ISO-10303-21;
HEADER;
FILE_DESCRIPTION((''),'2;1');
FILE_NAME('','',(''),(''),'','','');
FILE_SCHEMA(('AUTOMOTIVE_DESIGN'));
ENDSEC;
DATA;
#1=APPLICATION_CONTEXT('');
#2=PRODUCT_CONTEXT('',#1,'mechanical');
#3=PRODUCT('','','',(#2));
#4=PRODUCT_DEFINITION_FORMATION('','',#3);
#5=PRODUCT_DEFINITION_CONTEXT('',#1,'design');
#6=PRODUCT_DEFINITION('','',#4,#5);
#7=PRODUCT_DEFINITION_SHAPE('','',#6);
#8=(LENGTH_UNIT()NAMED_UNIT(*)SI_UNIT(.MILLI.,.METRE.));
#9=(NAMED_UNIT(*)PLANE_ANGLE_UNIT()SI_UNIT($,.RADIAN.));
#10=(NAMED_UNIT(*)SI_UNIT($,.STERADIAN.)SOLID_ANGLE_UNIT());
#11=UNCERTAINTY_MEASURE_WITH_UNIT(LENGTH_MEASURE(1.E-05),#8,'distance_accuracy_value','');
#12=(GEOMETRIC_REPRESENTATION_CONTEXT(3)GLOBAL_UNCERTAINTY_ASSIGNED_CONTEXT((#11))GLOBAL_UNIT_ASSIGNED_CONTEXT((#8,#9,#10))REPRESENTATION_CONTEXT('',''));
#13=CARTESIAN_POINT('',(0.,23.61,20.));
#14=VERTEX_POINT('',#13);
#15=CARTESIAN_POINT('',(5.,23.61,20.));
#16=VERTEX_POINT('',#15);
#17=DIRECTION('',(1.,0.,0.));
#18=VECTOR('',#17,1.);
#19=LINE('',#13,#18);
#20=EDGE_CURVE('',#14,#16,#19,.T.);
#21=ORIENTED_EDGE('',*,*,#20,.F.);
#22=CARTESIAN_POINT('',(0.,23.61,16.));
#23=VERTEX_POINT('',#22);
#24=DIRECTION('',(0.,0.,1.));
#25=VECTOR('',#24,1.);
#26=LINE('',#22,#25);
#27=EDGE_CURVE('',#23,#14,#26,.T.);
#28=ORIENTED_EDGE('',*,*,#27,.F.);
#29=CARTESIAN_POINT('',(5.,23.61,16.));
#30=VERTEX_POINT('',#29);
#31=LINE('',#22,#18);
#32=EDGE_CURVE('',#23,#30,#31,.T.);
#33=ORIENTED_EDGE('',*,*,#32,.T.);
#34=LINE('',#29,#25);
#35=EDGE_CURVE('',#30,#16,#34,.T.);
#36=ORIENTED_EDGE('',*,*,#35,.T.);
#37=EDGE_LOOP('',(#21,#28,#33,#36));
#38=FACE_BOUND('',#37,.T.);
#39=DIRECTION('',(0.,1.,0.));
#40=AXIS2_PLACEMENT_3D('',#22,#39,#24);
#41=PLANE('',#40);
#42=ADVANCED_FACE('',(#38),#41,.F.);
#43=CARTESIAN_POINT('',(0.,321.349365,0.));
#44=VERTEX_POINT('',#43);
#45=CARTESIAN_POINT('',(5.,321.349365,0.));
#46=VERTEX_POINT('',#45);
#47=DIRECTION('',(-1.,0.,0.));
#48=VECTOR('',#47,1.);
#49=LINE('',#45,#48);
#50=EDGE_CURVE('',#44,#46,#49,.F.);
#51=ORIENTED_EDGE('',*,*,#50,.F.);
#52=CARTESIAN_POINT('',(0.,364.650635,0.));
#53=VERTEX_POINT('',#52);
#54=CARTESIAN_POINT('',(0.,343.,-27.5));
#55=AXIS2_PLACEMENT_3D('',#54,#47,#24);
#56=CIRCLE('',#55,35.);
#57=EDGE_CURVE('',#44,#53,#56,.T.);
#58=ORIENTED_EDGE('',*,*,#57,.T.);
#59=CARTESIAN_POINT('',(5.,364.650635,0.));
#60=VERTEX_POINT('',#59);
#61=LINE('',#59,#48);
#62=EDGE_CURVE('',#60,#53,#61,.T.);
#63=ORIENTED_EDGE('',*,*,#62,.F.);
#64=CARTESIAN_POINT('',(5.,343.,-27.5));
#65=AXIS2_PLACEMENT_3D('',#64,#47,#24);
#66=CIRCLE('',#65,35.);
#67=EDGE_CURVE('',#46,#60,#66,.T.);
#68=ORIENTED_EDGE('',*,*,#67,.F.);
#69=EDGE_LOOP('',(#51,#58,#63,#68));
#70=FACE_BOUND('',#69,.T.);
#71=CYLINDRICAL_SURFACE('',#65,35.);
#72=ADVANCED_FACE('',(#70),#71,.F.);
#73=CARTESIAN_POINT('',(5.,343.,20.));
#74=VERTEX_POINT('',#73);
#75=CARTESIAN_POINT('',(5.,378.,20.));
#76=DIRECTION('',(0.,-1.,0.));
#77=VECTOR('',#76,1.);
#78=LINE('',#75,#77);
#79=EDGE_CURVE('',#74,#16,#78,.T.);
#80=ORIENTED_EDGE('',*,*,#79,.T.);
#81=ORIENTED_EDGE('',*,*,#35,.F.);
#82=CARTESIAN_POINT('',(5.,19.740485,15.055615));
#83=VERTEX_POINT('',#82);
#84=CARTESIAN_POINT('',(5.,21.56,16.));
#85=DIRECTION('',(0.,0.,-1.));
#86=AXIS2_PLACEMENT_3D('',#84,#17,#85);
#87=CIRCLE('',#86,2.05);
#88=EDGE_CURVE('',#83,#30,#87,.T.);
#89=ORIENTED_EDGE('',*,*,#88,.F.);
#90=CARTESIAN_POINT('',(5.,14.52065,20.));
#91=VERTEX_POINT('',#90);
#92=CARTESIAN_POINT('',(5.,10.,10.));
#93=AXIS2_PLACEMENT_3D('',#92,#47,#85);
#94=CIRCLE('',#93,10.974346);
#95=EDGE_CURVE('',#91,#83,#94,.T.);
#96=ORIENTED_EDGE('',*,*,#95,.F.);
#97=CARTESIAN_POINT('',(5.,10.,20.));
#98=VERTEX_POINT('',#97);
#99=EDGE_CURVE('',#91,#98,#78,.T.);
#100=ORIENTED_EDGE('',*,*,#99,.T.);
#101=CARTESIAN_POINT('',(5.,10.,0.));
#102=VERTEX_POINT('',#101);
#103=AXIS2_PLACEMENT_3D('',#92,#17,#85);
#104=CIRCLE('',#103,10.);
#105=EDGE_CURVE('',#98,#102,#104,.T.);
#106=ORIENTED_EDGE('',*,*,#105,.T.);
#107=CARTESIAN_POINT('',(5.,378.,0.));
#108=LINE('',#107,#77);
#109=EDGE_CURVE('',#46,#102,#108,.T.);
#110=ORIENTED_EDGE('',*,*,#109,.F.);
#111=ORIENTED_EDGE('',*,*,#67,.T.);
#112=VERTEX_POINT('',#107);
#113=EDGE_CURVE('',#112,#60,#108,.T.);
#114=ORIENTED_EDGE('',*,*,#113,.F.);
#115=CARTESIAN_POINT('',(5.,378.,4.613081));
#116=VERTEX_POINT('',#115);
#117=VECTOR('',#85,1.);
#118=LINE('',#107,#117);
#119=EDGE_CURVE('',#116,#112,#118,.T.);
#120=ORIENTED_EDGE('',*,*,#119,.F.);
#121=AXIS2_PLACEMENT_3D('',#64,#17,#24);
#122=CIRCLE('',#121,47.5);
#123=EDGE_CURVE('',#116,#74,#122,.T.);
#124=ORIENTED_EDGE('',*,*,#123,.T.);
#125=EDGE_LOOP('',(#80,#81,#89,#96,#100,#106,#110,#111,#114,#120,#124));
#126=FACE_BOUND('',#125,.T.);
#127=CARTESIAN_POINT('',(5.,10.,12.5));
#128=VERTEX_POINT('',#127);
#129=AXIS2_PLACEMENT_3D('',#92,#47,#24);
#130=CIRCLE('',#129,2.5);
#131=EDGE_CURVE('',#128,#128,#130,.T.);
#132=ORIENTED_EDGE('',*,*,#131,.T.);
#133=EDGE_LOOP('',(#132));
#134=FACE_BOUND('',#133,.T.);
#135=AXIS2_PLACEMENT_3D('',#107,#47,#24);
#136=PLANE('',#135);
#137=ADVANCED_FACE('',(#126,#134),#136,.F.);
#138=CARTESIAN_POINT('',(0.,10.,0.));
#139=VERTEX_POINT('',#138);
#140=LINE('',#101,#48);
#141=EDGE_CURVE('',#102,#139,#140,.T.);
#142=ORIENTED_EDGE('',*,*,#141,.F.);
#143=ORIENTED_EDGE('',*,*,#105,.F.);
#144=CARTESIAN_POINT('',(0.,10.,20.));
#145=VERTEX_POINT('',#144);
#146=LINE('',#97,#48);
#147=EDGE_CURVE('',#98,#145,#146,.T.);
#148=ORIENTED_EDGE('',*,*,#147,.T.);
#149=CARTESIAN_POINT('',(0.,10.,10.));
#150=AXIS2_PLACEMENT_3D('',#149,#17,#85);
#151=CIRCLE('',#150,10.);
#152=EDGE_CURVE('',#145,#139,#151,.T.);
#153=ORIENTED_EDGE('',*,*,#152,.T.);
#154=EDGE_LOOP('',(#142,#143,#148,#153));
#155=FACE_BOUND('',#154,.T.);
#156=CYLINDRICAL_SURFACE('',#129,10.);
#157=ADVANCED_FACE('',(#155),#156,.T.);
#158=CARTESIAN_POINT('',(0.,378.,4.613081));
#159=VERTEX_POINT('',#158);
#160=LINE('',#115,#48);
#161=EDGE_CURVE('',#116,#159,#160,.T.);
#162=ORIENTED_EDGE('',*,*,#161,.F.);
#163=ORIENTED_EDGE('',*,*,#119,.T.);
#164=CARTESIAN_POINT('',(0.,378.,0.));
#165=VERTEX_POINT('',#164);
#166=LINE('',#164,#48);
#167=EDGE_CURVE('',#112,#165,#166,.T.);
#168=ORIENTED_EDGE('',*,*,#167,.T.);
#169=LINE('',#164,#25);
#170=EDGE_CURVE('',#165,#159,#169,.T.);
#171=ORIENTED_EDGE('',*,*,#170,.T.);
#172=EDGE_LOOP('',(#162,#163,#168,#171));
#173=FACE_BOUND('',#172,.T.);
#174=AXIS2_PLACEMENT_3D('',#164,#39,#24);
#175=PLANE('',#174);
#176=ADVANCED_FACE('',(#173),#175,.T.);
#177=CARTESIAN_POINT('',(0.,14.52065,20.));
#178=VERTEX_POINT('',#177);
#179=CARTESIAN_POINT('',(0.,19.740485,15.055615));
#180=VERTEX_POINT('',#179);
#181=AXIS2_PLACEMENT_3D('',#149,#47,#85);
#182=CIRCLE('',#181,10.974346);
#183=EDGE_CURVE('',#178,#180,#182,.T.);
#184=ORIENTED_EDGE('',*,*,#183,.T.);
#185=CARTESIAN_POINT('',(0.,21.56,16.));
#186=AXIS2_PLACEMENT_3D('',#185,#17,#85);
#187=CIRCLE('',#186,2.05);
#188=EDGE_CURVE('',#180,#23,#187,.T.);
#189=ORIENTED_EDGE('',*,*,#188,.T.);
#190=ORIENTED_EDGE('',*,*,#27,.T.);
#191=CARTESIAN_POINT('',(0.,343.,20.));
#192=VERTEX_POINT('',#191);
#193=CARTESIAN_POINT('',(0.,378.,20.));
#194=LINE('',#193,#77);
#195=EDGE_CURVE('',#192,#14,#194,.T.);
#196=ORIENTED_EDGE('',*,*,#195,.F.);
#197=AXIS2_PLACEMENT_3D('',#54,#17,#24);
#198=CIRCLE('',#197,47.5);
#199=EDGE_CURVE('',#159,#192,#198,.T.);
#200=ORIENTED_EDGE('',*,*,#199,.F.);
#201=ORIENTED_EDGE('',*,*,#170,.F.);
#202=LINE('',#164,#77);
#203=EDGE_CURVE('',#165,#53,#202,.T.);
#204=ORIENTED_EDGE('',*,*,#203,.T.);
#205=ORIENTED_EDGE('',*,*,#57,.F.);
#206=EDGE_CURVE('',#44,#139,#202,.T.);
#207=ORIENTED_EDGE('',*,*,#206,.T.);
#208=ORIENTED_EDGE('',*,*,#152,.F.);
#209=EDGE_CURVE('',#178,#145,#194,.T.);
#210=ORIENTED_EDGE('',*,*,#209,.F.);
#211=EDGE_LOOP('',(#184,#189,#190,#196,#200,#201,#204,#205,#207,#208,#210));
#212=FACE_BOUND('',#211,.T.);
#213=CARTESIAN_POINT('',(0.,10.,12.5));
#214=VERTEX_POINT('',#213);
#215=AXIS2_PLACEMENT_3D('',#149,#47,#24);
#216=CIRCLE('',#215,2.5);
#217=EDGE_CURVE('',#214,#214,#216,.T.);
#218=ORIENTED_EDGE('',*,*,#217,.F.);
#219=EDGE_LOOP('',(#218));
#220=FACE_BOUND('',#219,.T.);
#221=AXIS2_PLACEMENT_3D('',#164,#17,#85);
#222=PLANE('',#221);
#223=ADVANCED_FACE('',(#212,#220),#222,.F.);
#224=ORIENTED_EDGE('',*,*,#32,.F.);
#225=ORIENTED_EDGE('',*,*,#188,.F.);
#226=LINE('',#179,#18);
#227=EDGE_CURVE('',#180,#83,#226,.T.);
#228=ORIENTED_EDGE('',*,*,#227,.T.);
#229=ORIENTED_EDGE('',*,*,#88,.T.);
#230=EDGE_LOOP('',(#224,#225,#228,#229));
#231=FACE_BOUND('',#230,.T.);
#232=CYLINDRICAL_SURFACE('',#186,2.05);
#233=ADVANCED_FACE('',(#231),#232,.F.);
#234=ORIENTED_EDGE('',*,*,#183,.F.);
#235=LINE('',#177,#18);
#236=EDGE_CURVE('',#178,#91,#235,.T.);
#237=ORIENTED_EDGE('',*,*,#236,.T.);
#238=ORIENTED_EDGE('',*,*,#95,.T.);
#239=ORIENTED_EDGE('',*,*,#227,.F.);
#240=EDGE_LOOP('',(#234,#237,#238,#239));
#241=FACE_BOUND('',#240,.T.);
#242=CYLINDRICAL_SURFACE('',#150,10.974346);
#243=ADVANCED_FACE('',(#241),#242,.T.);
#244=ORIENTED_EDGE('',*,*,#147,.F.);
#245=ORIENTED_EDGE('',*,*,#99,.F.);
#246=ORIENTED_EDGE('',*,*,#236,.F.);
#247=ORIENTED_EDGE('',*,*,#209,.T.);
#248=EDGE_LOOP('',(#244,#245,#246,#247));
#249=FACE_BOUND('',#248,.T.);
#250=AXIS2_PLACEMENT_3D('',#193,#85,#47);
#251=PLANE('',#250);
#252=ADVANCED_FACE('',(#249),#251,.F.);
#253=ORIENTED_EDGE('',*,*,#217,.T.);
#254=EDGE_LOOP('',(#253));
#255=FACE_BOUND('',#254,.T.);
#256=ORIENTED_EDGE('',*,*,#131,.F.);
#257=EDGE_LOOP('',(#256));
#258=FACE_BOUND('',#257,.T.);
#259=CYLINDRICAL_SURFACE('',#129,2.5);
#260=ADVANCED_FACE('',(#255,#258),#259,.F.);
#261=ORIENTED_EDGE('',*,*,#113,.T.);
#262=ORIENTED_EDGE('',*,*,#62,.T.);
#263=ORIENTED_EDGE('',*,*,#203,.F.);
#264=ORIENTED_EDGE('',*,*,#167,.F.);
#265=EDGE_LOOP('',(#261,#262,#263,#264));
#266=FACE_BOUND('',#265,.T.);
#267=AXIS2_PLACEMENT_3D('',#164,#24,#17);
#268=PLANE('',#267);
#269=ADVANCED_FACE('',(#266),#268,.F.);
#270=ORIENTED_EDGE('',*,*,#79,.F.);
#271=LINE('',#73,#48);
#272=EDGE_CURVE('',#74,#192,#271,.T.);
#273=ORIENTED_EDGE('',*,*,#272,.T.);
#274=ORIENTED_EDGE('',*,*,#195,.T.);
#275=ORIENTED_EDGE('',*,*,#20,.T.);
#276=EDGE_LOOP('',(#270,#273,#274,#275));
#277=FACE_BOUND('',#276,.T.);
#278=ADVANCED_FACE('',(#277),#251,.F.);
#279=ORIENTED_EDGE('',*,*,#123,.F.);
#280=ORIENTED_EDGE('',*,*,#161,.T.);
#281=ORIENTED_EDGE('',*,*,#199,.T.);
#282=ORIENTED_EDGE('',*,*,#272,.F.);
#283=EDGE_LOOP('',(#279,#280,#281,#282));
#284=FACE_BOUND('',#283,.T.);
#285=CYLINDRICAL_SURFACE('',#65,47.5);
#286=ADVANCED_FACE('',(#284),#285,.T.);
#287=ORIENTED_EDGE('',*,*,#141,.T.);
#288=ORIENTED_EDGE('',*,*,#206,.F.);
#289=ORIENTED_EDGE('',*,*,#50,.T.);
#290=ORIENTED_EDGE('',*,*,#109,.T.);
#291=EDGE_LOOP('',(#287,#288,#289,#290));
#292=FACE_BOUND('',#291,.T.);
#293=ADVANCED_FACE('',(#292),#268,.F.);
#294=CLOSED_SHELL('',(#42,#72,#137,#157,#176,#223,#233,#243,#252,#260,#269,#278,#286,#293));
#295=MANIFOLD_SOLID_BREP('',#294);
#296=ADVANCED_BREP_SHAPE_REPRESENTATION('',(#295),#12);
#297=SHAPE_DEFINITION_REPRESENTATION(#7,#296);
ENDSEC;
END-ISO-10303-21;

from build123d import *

# Parameters (mm, degrees)
SKETCH_1_W          = 5
SKETCH_1_H          = 20
EXTRUDE_1_DEPTH     = 378
CUT_EXTRUDE_1_DEPTH = 6
SKETCH_3_R          = 2.5
CUT_EXTRUDE_2_DEPTH = 6
SKETCH_4_R          = 35
CUT_EXTRUDE_3_DEPTH = 6
CUT_EXTRUDE_4_DEPTH = 6
CUT_EXTRUDE_5_DEPTH = 6


with BuildPart() as part:
    # Эскиз1 → Бобышка-Вытянуть1 (new body)
    with BuildSketch(Plane(origin=(0, 0, 0), x_dir=(1, 0, 0), z_dir=(0, 1, 0))):
        with Locations((2.5, -10)):
            Rectangle(SKETCH_1_W, SKETCH_1_H)
    extrude(amount=EXTRUDE_1_DEPTH)

    # Эскиз2 → Вырез-Вытянуть1 (cut, through all)
    with BuildSketch(Plane.ZY):
        with BuildLine():
            Line((0, 10), (0, -2))
            Line((0, -2), (20, -2))
            Line((20, -2), (20, 10))
            ThreePointArc((20, 10), (10, 0), (0, 10))
        make_face()
    extrude(amount=-CUT_EXTRUDE_1_DEPTH, mode=Mode.SUBTRACT)

    # Эскиз3 → Вырез-Вытянуть2 (cut, through all)
    with BuildSketch(Plane.ZY):
        with Locations((10, 10)):
            Circle(SKETCH_3_R)
    extrude(amount=-CUT_EXTRUDE_2_DEPTH, mode=Mode.SUBTRACT)

    # Эскиз4 → Вырез-Вытянуть3 (cut, through all)
    with BuildSketch(Plane.ZY):
        with Locations((-27.5, 343)):
            Circle(SKETCH_4_R)
    extrude(amount=-CUT_EXTRUDE_3_DEPTH, mode=Mode.SUBTRACT)

    # Эскиз5 → Вырез-Вытянуть4 (cut, through all)
    with BuildSketch(Plane.ZY):
        with BuildLine():
            Line((0, 381.729833462), (20, 378))
            Line((20, 378), (20, 343))
            ThreePointArc((20, 343), (14.70485754, 364.794494718), (0, 381.729833462))
        make_face()
    extrude(amount=-CUT_EXTRUDE_4_DEPTH, mode=Mode.SUBTRACT)

    # Эскиз6 → Вырез-Вытянуть5 (cut, through all)
    with BuildSketch(Plane(origin=(5, 0, 0), x_dir=(0, 0, -1), z_dir=(1, 0, 0))):
        with BuildLine():
            Line((-16, 23.61), (-20, 23.61))
            Line((-20, 23.61), (-20, 19.51))
            Line((-20, 19.51), (-20, 14.520650354))
            ThreePointArc((-20, 14.520650354), (-17.967405564, 17.546968146), (-15.055614801, 19.740484516))
            ThreePointArc((-15.055614801, 19.740484516), (-14.008454527, 22.046052085), (-16, 23.61))
        make_face()
    extrude(amount=-CUT_EXTRUDE_5_DEPTH, mode=Mode.SUBTRACT)


solid = part.part
